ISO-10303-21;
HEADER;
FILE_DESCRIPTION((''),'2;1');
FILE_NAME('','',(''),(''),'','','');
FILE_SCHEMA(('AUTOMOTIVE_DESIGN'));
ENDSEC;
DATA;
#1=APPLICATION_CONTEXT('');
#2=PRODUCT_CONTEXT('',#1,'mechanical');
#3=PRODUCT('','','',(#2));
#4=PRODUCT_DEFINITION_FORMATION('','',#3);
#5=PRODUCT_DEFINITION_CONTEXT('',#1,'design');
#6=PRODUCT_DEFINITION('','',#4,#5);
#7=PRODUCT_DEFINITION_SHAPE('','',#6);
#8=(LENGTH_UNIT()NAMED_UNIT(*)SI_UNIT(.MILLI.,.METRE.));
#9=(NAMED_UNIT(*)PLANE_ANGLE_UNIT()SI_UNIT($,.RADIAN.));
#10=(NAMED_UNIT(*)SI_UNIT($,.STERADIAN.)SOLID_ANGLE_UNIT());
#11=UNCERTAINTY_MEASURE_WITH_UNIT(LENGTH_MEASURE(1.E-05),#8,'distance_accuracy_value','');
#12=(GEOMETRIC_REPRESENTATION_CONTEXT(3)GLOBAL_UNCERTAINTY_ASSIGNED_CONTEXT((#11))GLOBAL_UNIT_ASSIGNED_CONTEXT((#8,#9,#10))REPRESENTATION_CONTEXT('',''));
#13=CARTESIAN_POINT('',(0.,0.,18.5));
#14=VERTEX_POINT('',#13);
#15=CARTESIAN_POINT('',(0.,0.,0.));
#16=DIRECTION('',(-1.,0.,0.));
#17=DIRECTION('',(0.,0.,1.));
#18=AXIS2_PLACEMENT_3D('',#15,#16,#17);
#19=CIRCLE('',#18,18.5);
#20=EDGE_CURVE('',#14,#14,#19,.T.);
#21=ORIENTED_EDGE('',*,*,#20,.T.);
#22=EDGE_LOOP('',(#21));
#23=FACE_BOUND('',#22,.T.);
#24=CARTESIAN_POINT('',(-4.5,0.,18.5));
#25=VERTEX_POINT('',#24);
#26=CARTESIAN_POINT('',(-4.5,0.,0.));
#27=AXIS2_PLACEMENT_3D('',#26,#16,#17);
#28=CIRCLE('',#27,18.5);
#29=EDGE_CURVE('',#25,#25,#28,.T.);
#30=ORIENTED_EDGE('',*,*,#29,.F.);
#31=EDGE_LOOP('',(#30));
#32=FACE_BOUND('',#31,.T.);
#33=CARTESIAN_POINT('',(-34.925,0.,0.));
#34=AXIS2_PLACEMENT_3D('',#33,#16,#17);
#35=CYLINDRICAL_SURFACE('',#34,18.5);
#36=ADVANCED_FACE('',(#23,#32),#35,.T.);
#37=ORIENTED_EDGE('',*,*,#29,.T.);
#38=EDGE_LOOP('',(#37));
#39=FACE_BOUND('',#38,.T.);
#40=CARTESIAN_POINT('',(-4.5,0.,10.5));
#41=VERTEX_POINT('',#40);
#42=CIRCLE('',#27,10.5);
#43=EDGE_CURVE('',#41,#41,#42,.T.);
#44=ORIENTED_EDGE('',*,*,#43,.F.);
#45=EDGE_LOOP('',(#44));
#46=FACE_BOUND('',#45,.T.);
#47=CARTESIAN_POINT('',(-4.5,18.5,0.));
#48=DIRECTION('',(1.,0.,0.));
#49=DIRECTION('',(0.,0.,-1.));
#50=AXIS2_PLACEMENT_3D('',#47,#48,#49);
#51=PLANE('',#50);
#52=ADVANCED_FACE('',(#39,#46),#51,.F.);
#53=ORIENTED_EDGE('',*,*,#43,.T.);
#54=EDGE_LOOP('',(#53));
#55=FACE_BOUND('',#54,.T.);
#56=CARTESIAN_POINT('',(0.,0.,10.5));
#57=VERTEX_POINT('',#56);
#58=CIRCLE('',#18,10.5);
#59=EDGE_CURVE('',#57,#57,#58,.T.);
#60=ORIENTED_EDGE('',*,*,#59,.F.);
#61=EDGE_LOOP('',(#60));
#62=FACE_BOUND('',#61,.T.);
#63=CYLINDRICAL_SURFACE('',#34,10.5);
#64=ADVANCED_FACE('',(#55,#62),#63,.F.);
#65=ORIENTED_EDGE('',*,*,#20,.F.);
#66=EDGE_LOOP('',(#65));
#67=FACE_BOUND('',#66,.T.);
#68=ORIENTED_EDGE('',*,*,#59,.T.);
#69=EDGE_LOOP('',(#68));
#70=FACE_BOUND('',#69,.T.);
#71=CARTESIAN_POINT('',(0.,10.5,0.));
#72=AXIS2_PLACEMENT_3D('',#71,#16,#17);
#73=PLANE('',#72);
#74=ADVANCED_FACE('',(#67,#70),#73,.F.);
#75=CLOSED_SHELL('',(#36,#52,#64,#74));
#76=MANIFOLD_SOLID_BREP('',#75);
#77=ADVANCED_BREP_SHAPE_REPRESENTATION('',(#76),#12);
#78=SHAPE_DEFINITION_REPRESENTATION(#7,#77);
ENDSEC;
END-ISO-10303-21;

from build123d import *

# Parameters (mm, degrees)
SKETCH1_W = 4.5
SKETCH1_H = 8


with BuildPart() as part:
    # Sketch1 → Base-Revolve (revolve)
    with BuildSketch(Plane.XY, mode=Mode.PRIVATE) as base_revolve_sk:
        with Locations((-2.25, 14.5)):
            Rectangle(SKETCH1_W, SKETCH1_H)
    revolve(base_revolve_sk.sketch.rotate(Axis((-34.925, 0, 0), (1, 0, 0)), 90), axis=Axis((-34.925, 0, 0), (1, 0, 0)))


solid = part.part
